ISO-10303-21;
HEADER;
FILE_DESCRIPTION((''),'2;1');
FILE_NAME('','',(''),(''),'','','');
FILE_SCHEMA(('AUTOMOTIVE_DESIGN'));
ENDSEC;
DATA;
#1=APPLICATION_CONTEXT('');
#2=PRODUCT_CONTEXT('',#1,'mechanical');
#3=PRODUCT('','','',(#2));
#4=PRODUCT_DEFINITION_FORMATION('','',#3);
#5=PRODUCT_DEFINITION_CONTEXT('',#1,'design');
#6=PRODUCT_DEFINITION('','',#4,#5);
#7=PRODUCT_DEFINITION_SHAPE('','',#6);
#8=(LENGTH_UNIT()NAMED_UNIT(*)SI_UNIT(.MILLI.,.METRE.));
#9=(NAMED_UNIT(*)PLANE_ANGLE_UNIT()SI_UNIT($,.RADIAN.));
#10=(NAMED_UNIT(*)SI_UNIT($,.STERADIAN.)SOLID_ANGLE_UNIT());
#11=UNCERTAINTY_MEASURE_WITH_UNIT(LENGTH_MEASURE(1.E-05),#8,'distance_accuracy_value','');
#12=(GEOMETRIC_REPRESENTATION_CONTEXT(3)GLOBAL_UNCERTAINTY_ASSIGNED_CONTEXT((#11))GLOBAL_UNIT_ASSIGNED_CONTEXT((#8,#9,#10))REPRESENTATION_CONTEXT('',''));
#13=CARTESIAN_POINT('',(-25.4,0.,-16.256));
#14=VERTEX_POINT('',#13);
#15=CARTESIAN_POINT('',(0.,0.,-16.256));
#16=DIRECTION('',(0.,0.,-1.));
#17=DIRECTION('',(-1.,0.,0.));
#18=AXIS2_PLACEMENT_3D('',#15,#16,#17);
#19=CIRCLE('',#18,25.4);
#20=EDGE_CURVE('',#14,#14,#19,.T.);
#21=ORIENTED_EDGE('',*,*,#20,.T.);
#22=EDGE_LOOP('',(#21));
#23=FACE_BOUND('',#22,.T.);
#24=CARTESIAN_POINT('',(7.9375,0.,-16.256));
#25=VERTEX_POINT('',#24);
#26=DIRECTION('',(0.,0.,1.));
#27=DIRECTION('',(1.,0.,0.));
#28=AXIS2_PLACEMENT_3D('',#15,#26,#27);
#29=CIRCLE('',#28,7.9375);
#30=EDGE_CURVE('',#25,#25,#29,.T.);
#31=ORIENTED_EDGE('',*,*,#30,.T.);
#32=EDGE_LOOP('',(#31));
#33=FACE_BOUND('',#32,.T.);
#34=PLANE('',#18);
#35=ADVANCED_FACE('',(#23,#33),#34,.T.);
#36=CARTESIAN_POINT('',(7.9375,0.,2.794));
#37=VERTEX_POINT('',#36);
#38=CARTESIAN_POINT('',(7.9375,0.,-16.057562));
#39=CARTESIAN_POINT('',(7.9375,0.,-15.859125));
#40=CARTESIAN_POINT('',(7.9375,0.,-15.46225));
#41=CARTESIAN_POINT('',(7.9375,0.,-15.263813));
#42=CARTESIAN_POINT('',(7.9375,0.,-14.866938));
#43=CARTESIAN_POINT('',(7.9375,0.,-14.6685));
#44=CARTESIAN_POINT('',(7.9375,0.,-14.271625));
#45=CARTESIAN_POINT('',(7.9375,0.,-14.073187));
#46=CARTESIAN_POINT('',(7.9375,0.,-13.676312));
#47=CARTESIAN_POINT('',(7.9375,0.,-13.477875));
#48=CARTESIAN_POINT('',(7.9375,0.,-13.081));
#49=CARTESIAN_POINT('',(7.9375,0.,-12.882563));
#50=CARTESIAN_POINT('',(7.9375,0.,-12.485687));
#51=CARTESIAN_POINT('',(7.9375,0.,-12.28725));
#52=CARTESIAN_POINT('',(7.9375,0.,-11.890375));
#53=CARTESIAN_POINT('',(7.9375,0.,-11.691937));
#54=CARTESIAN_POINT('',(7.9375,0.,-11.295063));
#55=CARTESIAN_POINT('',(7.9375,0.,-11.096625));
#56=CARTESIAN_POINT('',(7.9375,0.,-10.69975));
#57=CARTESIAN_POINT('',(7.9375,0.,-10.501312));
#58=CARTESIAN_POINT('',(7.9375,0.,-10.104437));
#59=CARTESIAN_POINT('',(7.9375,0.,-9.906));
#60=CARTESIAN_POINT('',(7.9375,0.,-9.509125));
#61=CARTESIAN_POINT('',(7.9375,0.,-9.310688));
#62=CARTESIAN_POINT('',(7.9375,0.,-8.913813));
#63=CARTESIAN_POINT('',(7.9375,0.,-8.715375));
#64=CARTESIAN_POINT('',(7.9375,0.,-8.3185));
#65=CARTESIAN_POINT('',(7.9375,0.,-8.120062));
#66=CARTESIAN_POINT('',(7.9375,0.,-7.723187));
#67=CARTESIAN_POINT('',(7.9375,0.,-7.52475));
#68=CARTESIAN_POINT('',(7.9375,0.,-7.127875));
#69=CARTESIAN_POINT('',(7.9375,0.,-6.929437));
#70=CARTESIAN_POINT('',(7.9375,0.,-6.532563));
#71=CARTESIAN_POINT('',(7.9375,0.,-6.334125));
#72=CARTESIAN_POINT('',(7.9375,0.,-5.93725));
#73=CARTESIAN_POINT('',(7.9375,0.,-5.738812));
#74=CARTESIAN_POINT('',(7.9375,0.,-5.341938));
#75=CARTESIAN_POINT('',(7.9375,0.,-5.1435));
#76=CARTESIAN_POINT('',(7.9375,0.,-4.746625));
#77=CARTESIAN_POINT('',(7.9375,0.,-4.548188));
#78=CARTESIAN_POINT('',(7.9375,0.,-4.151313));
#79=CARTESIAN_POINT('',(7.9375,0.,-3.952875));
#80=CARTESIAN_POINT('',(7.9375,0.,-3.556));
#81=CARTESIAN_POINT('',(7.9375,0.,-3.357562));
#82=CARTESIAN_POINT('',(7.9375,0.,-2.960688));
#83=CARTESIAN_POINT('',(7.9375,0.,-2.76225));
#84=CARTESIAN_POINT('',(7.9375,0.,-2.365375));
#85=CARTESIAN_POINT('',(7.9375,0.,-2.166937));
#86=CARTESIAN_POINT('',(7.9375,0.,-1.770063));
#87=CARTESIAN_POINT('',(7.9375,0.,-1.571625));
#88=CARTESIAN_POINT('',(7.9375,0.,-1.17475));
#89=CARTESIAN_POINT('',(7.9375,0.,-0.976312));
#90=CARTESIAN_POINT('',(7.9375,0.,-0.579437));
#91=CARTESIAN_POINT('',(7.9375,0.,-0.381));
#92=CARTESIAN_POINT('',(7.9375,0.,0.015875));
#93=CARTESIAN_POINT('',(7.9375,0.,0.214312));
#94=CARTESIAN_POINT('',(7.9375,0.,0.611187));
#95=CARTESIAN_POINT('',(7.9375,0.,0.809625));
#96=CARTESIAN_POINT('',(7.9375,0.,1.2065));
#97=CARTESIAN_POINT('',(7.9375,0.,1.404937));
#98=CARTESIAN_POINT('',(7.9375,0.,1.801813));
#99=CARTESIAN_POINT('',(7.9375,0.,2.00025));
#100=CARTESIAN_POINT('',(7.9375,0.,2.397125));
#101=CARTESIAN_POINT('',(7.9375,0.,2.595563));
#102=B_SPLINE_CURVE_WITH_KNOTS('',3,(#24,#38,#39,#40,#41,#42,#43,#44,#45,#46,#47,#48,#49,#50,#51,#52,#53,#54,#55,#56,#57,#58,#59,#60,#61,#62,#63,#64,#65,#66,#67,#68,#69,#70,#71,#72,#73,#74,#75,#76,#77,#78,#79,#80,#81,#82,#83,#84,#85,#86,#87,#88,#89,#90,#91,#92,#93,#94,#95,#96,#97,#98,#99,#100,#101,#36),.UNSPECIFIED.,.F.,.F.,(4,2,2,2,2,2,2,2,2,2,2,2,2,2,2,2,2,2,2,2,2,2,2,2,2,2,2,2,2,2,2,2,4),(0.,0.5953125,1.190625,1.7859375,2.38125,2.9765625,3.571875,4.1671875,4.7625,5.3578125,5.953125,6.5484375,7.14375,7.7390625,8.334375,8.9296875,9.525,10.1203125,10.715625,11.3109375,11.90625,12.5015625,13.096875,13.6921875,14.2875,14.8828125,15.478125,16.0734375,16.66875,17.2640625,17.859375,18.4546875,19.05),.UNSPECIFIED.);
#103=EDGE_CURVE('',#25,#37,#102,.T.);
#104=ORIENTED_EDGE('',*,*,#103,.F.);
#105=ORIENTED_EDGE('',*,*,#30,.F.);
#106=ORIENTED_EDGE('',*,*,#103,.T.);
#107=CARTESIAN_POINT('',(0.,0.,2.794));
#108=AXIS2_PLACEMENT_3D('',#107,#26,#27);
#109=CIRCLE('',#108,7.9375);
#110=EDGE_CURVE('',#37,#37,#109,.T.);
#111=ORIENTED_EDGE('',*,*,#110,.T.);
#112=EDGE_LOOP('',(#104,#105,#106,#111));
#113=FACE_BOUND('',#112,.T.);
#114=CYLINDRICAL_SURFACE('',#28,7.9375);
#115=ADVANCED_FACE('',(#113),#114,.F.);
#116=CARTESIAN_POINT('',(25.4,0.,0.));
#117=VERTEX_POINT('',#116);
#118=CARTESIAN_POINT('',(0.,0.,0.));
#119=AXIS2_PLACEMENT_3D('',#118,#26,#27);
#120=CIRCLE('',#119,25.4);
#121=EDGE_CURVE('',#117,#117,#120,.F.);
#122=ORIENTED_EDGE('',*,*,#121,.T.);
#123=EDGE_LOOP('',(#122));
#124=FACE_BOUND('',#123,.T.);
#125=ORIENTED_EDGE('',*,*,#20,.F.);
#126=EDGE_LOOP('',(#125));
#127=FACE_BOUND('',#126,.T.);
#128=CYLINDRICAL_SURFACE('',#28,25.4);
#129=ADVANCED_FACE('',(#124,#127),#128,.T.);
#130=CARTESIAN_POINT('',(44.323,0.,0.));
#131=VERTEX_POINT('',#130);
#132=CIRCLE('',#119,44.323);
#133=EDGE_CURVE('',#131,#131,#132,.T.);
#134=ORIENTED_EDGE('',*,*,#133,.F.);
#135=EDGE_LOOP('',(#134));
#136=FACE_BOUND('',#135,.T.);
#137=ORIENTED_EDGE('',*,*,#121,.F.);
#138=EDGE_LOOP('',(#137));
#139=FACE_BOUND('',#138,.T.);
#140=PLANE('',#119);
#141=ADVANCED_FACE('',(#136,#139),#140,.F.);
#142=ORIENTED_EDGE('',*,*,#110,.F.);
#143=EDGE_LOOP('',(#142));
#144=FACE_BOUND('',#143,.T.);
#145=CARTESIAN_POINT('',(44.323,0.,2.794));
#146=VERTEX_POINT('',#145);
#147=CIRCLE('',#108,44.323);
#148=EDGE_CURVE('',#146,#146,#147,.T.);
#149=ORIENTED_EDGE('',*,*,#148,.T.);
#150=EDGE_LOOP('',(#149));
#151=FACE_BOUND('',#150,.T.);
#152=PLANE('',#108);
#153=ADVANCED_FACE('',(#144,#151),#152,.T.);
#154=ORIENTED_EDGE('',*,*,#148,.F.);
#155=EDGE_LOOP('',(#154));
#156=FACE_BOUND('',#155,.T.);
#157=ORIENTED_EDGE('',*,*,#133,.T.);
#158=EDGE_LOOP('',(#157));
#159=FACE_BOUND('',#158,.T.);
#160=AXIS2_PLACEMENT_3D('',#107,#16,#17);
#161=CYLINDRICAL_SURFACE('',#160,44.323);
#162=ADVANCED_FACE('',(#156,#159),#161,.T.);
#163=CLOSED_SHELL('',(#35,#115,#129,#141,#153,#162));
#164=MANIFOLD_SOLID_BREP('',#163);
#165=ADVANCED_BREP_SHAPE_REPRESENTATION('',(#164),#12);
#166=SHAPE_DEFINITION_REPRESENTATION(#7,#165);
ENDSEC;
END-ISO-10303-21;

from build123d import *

# Parameters (mm, degrees)
SKETCH1_R           = 44.323
BOSS_EXTRUDE1_DEPTH = 2.794
SKETCH2_R           = 25.4
BOSS_EXTRUDE2_DEPTH = 16.256
SKETCH3_R           = 7.9375
CUT_EXTRUDE1_DEPTH  = 66.513045708


with BuildPart() as part:
    # Sketch1 → Boss-Extrude1 (new body)
    with BuildSketch(Plane.XY):
        Circle(SKETCH1_R)
    extrude(amount=BOSS_EXTRUDE1_DEPTH)

    # Sketch2 → Boss-Extrude2 (add)
    with BuildSketch(Plane(origin=(0, 0, 0), x_dir=(-1, 0, 0), z_dir=(0, 0, -1))):
        with Locations(Location((0, 0, 0), (0, 0, 180))):
            Circle(SKETCH2_R)
    extrude(amount=BOSS_EXTRUDE2_DEPTH)

    # Sketch3 → Cut-Extrude1 (cut, through all)
    with BuildSketch(Plane.XY.offset(2.794)):
        Circle(SKETCH3_R)
    extrude(amount=-CUT_EXTRUDE1_DEPTH, mode=Mode.SUBTRACT)


solid = part.part
